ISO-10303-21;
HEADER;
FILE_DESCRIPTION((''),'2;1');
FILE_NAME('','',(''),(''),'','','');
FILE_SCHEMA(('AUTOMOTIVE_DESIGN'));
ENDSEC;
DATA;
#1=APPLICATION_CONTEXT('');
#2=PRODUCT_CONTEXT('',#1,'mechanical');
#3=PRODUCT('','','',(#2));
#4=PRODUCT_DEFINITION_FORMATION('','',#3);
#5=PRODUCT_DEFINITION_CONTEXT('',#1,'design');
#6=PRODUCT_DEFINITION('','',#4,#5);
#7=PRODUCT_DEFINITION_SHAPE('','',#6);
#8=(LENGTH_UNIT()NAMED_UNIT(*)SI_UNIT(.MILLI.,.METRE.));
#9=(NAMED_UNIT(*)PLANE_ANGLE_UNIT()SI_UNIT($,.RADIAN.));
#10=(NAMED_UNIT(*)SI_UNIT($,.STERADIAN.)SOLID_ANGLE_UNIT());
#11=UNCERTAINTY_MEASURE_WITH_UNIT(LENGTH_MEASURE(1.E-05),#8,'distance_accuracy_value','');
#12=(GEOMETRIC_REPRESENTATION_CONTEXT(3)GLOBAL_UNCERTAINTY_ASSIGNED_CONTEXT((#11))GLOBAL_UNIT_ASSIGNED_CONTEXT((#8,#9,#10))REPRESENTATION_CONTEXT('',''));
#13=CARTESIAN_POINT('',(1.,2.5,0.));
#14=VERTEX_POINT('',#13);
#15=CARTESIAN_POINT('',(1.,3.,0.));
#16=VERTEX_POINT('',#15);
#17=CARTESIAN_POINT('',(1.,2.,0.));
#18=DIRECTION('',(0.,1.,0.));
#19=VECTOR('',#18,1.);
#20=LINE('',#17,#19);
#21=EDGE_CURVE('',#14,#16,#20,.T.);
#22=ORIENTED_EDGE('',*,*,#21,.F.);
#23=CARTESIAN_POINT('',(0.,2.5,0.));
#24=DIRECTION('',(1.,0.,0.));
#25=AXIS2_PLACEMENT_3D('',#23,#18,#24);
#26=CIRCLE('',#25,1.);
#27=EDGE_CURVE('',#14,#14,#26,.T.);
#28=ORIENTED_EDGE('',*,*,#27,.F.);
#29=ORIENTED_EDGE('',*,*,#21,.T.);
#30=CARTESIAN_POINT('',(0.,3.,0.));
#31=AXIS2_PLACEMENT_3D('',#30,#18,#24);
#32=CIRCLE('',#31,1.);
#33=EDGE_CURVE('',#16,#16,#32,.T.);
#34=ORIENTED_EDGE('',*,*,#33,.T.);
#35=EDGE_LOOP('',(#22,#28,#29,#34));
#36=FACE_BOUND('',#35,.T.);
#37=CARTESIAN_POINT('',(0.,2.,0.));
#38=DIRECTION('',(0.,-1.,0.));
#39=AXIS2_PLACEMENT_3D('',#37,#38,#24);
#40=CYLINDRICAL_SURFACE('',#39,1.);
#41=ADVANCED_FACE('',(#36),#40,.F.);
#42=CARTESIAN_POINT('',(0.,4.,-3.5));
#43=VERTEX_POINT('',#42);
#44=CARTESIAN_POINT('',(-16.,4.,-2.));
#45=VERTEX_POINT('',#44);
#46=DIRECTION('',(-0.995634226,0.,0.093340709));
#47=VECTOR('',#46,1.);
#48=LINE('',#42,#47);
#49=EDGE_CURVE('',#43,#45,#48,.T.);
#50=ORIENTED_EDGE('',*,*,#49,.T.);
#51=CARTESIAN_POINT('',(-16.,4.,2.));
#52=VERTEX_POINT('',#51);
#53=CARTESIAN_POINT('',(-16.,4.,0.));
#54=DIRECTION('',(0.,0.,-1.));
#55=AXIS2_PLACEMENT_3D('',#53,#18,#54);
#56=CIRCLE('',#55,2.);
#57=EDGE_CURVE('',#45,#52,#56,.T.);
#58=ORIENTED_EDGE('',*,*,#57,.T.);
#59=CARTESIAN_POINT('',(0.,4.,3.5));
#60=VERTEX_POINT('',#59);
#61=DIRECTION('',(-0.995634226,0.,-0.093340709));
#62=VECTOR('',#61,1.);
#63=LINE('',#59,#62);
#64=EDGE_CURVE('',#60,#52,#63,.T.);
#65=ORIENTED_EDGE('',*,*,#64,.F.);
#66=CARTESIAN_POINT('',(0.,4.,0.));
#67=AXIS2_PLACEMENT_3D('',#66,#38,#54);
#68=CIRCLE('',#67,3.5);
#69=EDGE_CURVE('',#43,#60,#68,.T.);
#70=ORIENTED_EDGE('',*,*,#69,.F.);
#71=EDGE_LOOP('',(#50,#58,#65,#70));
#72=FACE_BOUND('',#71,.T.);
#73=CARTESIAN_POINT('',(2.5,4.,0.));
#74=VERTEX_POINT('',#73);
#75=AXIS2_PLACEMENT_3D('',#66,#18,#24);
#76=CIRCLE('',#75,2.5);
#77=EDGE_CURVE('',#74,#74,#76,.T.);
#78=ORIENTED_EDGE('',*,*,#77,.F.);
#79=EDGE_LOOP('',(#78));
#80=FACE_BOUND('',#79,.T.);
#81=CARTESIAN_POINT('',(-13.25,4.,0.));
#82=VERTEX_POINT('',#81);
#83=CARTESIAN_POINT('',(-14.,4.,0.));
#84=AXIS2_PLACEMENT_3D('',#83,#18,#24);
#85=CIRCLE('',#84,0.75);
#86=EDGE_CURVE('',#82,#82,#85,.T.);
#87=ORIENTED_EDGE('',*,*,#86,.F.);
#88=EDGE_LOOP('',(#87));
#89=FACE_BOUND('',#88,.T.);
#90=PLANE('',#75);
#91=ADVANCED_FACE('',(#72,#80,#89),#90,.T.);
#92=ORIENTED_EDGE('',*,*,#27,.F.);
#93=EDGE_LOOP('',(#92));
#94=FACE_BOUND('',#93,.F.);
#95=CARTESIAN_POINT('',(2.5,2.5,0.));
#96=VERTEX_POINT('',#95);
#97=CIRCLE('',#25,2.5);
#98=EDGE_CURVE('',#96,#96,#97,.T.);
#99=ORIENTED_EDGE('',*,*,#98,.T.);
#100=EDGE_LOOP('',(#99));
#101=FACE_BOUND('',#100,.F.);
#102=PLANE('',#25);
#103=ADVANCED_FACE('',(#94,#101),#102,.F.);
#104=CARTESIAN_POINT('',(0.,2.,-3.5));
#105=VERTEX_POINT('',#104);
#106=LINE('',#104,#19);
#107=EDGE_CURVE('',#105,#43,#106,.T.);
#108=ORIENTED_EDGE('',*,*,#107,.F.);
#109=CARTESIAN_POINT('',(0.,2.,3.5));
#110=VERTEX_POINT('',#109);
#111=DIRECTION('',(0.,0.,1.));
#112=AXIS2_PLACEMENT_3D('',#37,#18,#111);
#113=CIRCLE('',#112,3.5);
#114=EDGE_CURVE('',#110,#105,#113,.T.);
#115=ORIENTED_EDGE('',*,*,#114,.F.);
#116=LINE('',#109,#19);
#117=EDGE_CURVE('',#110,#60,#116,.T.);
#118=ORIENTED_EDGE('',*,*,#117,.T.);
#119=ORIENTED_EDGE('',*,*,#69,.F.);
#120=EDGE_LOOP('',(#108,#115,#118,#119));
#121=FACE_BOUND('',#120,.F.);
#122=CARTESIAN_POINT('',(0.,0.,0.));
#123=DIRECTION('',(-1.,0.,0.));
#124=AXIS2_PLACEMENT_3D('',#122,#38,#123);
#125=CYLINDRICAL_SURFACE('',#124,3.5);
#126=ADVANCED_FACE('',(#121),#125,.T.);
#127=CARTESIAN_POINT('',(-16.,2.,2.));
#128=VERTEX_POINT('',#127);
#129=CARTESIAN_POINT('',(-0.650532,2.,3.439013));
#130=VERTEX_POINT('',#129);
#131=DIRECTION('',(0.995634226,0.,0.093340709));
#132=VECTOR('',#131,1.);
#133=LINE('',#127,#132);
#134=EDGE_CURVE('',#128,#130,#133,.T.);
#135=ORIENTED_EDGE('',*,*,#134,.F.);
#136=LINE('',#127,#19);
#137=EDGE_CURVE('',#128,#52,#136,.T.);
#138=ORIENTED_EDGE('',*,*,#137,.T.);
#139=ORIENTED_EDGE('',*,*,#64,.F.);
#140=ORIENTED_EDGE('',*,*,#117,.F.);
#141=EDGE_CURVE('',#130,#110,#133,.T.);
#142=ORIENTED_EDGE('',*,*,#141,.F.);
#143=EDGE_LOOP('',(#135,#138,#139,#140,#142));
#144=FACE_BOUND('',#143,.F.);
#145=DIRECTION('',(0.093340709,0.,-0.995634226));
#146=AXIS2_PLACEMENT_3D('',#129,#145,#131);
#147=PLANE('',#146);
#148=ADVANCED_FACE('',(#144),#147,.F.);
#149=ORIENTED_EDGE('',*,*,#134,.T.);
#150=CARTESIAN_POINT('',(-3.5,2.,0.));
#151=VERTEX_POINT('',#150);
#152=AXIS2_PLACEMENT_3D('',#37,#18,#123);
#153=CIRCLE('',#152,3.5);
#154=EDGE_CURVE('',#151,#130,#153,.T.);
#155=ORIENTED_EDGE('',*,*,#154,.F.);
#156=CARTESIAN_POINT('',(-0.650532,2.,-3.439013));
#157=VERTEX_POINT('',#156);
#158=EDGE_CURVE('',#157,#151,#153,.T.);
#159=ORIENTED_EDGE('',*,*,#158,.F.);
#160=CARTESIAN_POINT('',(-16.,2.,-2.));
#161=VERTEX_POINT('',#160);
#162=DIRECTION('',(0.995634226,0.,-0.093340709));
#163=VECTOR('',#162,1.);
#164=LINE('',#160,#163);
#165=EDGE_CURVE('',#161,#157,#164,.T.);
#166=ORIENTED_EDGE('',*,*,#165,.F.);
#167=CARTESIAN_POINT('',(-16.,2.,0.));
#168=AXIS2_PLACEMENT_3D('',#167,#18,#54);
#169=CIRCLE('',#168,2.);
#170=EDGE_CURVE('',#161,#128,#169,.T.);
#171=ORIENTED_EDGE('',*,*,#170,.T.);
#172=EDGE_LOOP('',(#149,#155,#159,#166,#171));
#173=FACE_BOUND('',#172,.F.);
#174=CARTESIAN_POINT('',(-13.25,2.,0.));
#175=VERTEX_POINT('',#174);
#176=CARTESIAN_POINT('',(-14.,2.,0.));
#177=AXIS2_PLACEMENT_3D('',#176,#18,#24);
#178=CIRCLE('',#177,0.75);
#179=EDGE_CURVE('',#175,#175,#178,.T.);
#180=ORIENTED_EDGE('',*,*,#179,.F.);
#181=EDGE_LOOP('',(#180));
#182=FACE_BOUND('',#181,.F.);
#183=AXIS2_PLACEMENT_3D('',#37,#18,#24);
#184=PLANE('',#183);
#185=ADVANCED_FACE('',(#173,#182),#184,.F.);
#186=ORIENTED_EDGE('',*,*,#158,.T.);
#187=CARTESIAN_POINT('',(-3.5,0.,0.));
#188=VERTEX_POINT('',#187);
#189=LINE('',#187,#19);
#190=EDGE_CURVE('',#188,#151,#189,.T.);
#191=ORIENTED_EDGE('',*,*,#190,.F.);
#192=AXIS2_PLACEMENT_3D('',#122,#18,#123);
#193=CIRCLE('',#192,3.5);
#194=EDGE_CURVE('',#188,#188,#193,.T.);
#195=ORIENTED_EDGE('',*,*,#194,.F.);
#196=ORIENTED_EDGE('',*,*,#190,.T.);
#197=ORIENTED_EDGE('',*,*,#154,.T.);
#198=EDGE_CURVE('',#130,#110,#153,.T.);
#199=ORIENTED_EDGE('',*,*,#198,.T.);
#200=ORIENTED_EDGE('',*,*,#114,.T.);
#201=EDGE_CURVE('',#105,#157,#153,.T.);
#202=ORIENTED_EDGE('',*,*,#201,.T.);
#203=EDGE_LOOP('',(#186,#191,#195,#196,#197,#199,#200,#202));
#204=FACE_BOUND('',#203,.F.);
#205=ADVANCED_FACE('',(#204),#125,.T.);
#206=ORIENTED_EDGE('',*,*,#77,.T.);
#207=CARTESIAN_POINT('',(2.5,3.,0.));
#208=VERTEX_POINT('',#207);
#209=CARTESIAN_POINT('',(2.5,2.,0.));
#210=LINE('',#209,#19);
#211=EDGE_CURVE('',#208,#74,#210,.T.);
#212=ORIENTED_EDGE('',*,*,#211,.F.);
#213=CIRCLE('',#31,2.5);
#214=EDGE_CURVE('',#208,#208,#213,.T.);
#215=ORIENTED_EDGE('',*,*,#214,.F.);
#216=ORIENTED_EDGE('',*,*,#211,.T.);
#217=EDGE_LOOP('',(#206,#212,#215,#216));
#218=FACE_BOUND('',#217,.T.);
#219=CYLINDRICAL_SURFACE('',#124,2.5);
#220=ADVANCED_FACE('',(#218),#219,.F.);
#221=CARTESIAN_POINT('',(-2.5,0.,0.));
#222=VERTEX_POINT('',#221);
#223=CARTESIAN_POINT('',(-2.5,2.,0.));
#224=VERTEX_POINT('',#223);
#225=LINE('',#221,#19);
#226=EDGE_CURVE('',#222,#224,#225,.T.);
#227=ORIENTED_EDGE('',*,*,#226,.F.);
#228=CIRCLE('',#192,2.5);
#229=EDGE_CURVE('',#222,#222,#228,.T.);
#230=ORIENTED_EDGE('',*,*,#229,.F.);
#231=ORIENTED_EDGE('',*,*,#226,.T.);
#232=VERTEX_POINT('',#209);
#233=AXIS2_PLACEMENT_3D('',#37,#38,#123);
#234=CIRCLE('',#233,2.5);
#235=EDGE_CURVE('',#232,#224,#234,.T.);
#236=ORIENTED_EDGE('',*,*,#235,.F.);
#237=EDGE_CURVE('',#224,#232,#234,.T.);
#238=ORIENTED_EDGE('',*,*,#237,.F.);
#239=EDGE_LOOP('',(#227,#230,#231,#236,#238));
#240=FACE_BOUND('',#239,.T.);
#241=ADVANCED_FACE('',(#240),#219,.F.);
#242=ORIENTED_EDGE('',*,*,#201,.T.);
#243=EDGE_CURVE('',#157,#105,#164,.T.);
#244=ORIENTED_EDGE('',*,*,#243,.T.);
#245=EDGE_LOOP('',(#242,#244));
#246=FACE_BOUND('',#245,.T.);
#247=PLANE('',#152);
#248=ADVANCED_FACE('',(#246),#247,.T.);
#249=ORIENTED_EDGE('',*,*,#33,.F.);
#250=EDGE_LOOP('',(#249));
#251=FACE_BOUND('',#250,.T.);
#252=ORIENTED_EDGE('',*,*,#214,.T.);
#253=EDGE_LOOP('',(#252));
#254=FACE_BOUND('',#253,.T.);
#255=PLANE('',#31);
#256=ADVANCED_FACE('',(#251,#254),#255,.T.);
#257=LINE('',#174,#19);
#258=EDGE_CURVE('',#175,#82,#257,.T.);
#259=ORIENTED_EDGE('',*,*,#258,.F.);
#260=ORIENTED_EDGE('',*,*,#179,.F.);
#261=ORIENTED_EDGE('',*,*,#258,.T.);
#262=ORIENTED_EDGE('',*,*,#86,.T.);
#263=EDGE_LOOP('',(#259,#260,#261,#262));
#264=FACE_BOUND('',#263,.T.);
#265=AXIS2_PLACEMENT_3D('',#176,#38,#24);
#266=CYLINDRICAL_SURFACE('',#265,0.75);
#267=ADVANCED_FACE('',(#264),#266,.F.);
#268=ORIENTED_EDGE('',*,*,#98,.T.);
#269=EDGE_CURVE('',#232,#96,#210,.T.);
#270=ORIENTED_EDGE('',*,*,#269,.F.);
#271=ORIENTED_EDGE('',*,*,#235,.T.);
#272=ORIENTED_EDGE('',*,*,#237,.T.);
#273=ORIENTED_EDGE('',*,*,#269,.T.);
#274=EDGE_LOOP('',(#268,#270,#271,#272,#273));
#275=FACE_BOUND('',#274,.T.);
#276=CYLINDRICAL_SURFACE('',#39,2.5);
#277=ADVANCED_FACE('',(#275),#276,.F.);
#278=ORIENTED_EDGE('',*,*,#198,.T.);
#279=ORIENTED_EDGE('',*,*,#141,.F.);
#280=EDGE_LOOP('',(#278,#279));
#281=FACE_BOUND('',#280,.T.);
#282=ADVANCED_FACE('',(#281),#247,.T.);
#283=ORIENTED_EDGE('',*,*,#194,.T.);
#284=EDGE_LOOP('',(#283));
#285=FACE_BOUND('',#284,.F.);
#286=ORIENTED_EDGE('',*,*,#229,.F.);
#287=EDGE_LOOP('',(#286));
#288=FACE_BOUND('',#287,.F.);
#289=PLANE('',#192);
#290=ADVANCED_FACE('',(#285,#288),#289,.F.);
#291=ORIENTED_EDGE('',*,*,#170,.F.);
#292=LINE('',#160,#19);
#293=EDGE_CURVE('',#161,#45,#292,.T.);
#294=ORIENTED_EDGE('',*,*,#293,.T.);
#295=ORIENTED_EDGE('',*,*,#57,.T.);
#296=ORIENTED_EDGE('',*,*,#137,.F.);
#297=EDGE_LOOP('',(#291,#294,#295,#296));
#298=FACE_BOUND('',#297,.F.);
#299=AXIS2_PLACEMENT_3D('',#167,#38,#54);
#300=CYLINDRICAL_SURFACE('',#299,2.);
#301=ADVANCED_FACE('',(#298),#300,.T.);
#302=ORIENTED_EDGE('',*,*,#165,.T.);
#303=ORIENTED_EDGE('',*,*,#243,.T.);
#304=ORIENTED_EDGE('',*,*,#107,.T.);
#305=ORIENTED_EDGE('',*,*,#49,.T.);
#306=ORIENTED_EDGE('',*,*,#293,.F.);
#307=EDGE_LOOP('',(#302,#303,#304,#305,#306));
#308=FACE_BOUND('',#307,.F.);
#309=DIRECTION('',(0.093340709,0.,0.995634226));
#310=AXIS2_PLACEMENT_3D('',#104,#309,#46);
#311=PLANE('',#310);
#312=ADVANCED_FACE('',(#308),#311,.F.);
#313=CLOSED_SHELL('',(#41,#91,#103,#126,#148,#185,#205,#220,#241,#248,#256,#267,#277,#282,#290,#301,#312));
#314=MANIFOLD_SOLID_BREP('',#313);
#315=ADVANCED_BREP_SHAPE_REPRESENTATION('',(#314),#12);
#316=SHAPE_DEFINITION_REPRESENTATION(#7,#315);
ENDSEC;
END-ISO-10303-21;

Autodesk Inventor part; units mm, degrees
ref_plane "YZ Plane" through (0, 0, 0) normal (1, 0, 0) x (0, 1, 0)
ref_plane "XZ Plane" through (0, 0, 0) normal (0, 1, 0) x (-1, 0, 0)
ref_plane "XY Plane" through (0, 0, 0) normal (0, 0, 1) x (1, 0, 0)
sketch "Sketch1" plane through (0, 0, 0) normal (0, 1, 0) x (-1, 0, 0)
  circle A0 centre (0, 0) radius 2.5
  circle A1 centre (0, 0) radius 3.5
  dimension "d228" = 5
  dimension "d229" = 7
extrude "Extrusion1" add sketch "Sketch1" along normal blind 2
sketch "Sketch2" plane through (0, 2, 0) normal (0, 1, 0) x (1, 0, 0)
  circle A0 centre (0, 0) radius 3.5
  circle A1 centre (0, 0) radius 3.5 projected
  line L0 (-16, -2) -> (0, -3.5)
  circle A2 centre (0, 0) radius 3.5 projected
  line L1 (0, 3.5) -> (-16, 2)
  circle A3 centre (-14, 0) radius 0.75
  arc A4 (-16, 2) -> (-16, -2) centre (-16, 0) ccw
  circle A5 centre (0, 0) radius 1
  circle A6 centre (0, 0) radius 2.5
  circle A7 centre (0, 0) radius 2.5 projected
  dimension "d234" = 1.5
  dimension "d236" = 16
  dimension "d237" = 2
  dimension "d238" = 2
  dimension "d241" = 2
extrude "Extrusion2" add sketch "Sketch2" along normal blind 2 contours A0 L0 L1 | A0 L0 A4 L1
extrude "Extrusion3" add sketch "Sketch2" along normal blind 1 contours A6
extrude "Extrusion4" cut sketch "Sketch2" along normal blind 0.5 contours A6
properties part number "Langbektang houder"
